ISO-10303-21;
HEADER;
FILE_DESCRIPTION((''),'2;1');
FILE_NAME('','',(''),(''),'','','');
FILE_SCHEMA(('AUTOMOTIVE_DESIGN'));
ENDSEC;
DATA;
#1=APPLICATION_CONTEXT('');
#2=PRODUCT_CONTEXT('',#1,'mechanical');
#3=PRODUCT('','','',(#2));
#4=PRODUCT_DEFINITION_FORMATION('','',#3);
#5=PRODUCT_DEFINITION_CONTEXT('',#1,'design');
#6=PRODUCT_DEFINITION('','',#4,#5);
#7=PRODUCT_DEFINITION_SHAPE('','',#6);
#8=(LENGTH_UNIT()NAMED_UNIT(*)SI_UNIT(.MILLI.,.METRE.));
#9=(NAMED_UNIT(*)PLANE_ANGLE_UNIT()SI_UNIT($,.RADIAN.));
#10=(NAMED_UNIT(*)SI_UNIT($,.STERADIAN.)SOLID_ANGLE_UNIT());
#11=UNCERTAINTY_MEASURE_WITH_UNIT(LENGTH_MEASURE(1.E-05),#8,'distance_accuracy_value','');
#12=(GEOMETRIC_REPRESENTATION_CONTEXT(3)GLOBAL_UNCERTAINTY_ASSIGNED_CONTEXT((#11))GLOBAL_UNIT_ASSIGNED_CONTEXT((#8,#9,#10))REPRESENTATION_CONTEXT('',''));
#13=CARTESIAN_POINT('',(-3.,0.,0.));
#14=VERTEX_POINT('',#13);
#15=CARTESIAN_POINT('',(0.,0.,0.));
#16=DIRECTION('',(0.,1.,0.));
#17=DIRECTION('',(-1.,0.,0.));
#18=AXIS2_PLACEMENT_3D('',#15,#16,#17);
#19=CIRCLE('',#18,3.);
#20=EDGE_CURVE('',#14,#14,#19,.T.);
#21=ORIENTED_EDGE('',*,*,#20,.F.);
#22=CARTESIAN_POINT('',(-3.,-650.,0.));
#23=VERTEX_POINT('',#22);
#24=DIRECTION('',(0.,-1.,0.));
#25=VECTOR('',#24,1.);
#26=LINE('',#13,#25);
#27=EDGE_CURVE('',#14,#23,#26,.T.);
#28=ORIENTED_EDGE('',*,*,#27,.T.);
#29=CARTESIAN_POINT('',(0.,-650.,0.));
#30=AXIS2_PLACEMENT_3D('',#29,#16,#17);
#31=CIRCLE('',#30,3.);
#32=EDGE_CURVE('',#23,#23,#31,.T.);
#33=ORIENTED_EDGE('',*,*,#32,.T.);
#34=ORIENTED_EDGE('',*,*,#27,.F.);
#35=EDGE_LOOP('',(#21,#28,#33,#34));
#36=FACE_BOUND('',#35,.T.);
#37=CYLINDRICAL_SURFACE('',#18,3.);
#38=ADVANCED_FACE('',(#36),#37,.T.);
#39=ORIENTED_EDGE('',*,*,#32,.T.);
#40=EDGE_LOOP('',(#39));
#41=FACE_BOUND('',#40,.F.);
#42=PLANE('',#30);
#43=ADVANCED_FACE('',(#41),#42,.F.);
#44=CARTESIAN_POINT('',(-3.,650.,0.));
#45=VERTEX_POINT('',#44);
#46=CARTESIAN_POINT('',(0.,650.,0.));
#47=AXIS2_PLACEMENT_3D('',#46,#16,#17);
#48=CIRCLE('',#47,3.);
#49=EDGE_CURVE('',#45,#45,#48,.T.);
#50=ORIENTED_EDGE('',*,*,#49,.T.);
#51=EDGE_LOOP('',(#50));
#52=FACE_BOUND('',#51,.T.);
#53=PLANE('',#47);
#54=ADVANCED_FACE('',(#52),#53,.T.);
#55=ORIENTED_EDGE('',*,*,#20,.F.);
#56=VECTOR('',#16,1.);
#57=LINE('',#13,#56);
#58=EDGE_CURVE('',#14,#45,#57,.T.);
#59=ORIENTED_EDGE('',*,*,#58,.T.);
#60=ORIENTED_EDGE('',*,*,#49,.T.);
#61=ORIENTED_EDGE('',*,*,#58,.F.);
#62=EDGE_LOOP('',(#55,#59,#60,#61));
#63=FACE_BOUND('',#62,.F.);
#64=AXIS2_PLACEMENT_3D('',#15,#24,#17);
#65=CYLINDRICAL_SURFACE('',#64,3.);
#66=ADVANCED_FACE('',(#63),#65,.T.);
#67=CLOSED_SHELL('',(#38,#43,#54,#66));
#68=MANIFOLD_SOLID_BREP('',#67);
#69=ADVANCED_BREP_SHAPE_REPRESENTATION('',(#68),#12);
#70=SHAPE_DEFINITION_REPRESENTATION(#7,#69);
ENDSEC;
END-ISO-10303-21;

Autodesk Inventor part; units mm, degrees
ref_plane "YZ Plane" through (0, 0, 0) normal (1, 0, 0) x (0, 1, 0)
ref_plane "XZ Plane" through (0, 0, 0) normal (0, 1, 0) x (-1, 0, 0)
ref_plane "XY Plane" through (0, 0, 0) normal (0, 0, 1) x (1, 0, 0)
sketch "Esquisse3" plane through (0, 0, 0) normal (0, 1, 0) x (-1, 0, 0)
  circle A0 centre (0, 0) radius 3
  dimension "d3" = 6
extrude "Extrusion2" add sketch "Esquisse3" along normal mid plane 1300
sketch "Esquisse4" plane through (0, 650, 0) normal (0, 1, 0) x (1, 0, 0)
  point P0 (0, 0)
thread "Filetage1" size "1/4-20 UNC" class "1A" standard "ANSI Unified Screw Threads" full length
properties part number "tige filetée"
